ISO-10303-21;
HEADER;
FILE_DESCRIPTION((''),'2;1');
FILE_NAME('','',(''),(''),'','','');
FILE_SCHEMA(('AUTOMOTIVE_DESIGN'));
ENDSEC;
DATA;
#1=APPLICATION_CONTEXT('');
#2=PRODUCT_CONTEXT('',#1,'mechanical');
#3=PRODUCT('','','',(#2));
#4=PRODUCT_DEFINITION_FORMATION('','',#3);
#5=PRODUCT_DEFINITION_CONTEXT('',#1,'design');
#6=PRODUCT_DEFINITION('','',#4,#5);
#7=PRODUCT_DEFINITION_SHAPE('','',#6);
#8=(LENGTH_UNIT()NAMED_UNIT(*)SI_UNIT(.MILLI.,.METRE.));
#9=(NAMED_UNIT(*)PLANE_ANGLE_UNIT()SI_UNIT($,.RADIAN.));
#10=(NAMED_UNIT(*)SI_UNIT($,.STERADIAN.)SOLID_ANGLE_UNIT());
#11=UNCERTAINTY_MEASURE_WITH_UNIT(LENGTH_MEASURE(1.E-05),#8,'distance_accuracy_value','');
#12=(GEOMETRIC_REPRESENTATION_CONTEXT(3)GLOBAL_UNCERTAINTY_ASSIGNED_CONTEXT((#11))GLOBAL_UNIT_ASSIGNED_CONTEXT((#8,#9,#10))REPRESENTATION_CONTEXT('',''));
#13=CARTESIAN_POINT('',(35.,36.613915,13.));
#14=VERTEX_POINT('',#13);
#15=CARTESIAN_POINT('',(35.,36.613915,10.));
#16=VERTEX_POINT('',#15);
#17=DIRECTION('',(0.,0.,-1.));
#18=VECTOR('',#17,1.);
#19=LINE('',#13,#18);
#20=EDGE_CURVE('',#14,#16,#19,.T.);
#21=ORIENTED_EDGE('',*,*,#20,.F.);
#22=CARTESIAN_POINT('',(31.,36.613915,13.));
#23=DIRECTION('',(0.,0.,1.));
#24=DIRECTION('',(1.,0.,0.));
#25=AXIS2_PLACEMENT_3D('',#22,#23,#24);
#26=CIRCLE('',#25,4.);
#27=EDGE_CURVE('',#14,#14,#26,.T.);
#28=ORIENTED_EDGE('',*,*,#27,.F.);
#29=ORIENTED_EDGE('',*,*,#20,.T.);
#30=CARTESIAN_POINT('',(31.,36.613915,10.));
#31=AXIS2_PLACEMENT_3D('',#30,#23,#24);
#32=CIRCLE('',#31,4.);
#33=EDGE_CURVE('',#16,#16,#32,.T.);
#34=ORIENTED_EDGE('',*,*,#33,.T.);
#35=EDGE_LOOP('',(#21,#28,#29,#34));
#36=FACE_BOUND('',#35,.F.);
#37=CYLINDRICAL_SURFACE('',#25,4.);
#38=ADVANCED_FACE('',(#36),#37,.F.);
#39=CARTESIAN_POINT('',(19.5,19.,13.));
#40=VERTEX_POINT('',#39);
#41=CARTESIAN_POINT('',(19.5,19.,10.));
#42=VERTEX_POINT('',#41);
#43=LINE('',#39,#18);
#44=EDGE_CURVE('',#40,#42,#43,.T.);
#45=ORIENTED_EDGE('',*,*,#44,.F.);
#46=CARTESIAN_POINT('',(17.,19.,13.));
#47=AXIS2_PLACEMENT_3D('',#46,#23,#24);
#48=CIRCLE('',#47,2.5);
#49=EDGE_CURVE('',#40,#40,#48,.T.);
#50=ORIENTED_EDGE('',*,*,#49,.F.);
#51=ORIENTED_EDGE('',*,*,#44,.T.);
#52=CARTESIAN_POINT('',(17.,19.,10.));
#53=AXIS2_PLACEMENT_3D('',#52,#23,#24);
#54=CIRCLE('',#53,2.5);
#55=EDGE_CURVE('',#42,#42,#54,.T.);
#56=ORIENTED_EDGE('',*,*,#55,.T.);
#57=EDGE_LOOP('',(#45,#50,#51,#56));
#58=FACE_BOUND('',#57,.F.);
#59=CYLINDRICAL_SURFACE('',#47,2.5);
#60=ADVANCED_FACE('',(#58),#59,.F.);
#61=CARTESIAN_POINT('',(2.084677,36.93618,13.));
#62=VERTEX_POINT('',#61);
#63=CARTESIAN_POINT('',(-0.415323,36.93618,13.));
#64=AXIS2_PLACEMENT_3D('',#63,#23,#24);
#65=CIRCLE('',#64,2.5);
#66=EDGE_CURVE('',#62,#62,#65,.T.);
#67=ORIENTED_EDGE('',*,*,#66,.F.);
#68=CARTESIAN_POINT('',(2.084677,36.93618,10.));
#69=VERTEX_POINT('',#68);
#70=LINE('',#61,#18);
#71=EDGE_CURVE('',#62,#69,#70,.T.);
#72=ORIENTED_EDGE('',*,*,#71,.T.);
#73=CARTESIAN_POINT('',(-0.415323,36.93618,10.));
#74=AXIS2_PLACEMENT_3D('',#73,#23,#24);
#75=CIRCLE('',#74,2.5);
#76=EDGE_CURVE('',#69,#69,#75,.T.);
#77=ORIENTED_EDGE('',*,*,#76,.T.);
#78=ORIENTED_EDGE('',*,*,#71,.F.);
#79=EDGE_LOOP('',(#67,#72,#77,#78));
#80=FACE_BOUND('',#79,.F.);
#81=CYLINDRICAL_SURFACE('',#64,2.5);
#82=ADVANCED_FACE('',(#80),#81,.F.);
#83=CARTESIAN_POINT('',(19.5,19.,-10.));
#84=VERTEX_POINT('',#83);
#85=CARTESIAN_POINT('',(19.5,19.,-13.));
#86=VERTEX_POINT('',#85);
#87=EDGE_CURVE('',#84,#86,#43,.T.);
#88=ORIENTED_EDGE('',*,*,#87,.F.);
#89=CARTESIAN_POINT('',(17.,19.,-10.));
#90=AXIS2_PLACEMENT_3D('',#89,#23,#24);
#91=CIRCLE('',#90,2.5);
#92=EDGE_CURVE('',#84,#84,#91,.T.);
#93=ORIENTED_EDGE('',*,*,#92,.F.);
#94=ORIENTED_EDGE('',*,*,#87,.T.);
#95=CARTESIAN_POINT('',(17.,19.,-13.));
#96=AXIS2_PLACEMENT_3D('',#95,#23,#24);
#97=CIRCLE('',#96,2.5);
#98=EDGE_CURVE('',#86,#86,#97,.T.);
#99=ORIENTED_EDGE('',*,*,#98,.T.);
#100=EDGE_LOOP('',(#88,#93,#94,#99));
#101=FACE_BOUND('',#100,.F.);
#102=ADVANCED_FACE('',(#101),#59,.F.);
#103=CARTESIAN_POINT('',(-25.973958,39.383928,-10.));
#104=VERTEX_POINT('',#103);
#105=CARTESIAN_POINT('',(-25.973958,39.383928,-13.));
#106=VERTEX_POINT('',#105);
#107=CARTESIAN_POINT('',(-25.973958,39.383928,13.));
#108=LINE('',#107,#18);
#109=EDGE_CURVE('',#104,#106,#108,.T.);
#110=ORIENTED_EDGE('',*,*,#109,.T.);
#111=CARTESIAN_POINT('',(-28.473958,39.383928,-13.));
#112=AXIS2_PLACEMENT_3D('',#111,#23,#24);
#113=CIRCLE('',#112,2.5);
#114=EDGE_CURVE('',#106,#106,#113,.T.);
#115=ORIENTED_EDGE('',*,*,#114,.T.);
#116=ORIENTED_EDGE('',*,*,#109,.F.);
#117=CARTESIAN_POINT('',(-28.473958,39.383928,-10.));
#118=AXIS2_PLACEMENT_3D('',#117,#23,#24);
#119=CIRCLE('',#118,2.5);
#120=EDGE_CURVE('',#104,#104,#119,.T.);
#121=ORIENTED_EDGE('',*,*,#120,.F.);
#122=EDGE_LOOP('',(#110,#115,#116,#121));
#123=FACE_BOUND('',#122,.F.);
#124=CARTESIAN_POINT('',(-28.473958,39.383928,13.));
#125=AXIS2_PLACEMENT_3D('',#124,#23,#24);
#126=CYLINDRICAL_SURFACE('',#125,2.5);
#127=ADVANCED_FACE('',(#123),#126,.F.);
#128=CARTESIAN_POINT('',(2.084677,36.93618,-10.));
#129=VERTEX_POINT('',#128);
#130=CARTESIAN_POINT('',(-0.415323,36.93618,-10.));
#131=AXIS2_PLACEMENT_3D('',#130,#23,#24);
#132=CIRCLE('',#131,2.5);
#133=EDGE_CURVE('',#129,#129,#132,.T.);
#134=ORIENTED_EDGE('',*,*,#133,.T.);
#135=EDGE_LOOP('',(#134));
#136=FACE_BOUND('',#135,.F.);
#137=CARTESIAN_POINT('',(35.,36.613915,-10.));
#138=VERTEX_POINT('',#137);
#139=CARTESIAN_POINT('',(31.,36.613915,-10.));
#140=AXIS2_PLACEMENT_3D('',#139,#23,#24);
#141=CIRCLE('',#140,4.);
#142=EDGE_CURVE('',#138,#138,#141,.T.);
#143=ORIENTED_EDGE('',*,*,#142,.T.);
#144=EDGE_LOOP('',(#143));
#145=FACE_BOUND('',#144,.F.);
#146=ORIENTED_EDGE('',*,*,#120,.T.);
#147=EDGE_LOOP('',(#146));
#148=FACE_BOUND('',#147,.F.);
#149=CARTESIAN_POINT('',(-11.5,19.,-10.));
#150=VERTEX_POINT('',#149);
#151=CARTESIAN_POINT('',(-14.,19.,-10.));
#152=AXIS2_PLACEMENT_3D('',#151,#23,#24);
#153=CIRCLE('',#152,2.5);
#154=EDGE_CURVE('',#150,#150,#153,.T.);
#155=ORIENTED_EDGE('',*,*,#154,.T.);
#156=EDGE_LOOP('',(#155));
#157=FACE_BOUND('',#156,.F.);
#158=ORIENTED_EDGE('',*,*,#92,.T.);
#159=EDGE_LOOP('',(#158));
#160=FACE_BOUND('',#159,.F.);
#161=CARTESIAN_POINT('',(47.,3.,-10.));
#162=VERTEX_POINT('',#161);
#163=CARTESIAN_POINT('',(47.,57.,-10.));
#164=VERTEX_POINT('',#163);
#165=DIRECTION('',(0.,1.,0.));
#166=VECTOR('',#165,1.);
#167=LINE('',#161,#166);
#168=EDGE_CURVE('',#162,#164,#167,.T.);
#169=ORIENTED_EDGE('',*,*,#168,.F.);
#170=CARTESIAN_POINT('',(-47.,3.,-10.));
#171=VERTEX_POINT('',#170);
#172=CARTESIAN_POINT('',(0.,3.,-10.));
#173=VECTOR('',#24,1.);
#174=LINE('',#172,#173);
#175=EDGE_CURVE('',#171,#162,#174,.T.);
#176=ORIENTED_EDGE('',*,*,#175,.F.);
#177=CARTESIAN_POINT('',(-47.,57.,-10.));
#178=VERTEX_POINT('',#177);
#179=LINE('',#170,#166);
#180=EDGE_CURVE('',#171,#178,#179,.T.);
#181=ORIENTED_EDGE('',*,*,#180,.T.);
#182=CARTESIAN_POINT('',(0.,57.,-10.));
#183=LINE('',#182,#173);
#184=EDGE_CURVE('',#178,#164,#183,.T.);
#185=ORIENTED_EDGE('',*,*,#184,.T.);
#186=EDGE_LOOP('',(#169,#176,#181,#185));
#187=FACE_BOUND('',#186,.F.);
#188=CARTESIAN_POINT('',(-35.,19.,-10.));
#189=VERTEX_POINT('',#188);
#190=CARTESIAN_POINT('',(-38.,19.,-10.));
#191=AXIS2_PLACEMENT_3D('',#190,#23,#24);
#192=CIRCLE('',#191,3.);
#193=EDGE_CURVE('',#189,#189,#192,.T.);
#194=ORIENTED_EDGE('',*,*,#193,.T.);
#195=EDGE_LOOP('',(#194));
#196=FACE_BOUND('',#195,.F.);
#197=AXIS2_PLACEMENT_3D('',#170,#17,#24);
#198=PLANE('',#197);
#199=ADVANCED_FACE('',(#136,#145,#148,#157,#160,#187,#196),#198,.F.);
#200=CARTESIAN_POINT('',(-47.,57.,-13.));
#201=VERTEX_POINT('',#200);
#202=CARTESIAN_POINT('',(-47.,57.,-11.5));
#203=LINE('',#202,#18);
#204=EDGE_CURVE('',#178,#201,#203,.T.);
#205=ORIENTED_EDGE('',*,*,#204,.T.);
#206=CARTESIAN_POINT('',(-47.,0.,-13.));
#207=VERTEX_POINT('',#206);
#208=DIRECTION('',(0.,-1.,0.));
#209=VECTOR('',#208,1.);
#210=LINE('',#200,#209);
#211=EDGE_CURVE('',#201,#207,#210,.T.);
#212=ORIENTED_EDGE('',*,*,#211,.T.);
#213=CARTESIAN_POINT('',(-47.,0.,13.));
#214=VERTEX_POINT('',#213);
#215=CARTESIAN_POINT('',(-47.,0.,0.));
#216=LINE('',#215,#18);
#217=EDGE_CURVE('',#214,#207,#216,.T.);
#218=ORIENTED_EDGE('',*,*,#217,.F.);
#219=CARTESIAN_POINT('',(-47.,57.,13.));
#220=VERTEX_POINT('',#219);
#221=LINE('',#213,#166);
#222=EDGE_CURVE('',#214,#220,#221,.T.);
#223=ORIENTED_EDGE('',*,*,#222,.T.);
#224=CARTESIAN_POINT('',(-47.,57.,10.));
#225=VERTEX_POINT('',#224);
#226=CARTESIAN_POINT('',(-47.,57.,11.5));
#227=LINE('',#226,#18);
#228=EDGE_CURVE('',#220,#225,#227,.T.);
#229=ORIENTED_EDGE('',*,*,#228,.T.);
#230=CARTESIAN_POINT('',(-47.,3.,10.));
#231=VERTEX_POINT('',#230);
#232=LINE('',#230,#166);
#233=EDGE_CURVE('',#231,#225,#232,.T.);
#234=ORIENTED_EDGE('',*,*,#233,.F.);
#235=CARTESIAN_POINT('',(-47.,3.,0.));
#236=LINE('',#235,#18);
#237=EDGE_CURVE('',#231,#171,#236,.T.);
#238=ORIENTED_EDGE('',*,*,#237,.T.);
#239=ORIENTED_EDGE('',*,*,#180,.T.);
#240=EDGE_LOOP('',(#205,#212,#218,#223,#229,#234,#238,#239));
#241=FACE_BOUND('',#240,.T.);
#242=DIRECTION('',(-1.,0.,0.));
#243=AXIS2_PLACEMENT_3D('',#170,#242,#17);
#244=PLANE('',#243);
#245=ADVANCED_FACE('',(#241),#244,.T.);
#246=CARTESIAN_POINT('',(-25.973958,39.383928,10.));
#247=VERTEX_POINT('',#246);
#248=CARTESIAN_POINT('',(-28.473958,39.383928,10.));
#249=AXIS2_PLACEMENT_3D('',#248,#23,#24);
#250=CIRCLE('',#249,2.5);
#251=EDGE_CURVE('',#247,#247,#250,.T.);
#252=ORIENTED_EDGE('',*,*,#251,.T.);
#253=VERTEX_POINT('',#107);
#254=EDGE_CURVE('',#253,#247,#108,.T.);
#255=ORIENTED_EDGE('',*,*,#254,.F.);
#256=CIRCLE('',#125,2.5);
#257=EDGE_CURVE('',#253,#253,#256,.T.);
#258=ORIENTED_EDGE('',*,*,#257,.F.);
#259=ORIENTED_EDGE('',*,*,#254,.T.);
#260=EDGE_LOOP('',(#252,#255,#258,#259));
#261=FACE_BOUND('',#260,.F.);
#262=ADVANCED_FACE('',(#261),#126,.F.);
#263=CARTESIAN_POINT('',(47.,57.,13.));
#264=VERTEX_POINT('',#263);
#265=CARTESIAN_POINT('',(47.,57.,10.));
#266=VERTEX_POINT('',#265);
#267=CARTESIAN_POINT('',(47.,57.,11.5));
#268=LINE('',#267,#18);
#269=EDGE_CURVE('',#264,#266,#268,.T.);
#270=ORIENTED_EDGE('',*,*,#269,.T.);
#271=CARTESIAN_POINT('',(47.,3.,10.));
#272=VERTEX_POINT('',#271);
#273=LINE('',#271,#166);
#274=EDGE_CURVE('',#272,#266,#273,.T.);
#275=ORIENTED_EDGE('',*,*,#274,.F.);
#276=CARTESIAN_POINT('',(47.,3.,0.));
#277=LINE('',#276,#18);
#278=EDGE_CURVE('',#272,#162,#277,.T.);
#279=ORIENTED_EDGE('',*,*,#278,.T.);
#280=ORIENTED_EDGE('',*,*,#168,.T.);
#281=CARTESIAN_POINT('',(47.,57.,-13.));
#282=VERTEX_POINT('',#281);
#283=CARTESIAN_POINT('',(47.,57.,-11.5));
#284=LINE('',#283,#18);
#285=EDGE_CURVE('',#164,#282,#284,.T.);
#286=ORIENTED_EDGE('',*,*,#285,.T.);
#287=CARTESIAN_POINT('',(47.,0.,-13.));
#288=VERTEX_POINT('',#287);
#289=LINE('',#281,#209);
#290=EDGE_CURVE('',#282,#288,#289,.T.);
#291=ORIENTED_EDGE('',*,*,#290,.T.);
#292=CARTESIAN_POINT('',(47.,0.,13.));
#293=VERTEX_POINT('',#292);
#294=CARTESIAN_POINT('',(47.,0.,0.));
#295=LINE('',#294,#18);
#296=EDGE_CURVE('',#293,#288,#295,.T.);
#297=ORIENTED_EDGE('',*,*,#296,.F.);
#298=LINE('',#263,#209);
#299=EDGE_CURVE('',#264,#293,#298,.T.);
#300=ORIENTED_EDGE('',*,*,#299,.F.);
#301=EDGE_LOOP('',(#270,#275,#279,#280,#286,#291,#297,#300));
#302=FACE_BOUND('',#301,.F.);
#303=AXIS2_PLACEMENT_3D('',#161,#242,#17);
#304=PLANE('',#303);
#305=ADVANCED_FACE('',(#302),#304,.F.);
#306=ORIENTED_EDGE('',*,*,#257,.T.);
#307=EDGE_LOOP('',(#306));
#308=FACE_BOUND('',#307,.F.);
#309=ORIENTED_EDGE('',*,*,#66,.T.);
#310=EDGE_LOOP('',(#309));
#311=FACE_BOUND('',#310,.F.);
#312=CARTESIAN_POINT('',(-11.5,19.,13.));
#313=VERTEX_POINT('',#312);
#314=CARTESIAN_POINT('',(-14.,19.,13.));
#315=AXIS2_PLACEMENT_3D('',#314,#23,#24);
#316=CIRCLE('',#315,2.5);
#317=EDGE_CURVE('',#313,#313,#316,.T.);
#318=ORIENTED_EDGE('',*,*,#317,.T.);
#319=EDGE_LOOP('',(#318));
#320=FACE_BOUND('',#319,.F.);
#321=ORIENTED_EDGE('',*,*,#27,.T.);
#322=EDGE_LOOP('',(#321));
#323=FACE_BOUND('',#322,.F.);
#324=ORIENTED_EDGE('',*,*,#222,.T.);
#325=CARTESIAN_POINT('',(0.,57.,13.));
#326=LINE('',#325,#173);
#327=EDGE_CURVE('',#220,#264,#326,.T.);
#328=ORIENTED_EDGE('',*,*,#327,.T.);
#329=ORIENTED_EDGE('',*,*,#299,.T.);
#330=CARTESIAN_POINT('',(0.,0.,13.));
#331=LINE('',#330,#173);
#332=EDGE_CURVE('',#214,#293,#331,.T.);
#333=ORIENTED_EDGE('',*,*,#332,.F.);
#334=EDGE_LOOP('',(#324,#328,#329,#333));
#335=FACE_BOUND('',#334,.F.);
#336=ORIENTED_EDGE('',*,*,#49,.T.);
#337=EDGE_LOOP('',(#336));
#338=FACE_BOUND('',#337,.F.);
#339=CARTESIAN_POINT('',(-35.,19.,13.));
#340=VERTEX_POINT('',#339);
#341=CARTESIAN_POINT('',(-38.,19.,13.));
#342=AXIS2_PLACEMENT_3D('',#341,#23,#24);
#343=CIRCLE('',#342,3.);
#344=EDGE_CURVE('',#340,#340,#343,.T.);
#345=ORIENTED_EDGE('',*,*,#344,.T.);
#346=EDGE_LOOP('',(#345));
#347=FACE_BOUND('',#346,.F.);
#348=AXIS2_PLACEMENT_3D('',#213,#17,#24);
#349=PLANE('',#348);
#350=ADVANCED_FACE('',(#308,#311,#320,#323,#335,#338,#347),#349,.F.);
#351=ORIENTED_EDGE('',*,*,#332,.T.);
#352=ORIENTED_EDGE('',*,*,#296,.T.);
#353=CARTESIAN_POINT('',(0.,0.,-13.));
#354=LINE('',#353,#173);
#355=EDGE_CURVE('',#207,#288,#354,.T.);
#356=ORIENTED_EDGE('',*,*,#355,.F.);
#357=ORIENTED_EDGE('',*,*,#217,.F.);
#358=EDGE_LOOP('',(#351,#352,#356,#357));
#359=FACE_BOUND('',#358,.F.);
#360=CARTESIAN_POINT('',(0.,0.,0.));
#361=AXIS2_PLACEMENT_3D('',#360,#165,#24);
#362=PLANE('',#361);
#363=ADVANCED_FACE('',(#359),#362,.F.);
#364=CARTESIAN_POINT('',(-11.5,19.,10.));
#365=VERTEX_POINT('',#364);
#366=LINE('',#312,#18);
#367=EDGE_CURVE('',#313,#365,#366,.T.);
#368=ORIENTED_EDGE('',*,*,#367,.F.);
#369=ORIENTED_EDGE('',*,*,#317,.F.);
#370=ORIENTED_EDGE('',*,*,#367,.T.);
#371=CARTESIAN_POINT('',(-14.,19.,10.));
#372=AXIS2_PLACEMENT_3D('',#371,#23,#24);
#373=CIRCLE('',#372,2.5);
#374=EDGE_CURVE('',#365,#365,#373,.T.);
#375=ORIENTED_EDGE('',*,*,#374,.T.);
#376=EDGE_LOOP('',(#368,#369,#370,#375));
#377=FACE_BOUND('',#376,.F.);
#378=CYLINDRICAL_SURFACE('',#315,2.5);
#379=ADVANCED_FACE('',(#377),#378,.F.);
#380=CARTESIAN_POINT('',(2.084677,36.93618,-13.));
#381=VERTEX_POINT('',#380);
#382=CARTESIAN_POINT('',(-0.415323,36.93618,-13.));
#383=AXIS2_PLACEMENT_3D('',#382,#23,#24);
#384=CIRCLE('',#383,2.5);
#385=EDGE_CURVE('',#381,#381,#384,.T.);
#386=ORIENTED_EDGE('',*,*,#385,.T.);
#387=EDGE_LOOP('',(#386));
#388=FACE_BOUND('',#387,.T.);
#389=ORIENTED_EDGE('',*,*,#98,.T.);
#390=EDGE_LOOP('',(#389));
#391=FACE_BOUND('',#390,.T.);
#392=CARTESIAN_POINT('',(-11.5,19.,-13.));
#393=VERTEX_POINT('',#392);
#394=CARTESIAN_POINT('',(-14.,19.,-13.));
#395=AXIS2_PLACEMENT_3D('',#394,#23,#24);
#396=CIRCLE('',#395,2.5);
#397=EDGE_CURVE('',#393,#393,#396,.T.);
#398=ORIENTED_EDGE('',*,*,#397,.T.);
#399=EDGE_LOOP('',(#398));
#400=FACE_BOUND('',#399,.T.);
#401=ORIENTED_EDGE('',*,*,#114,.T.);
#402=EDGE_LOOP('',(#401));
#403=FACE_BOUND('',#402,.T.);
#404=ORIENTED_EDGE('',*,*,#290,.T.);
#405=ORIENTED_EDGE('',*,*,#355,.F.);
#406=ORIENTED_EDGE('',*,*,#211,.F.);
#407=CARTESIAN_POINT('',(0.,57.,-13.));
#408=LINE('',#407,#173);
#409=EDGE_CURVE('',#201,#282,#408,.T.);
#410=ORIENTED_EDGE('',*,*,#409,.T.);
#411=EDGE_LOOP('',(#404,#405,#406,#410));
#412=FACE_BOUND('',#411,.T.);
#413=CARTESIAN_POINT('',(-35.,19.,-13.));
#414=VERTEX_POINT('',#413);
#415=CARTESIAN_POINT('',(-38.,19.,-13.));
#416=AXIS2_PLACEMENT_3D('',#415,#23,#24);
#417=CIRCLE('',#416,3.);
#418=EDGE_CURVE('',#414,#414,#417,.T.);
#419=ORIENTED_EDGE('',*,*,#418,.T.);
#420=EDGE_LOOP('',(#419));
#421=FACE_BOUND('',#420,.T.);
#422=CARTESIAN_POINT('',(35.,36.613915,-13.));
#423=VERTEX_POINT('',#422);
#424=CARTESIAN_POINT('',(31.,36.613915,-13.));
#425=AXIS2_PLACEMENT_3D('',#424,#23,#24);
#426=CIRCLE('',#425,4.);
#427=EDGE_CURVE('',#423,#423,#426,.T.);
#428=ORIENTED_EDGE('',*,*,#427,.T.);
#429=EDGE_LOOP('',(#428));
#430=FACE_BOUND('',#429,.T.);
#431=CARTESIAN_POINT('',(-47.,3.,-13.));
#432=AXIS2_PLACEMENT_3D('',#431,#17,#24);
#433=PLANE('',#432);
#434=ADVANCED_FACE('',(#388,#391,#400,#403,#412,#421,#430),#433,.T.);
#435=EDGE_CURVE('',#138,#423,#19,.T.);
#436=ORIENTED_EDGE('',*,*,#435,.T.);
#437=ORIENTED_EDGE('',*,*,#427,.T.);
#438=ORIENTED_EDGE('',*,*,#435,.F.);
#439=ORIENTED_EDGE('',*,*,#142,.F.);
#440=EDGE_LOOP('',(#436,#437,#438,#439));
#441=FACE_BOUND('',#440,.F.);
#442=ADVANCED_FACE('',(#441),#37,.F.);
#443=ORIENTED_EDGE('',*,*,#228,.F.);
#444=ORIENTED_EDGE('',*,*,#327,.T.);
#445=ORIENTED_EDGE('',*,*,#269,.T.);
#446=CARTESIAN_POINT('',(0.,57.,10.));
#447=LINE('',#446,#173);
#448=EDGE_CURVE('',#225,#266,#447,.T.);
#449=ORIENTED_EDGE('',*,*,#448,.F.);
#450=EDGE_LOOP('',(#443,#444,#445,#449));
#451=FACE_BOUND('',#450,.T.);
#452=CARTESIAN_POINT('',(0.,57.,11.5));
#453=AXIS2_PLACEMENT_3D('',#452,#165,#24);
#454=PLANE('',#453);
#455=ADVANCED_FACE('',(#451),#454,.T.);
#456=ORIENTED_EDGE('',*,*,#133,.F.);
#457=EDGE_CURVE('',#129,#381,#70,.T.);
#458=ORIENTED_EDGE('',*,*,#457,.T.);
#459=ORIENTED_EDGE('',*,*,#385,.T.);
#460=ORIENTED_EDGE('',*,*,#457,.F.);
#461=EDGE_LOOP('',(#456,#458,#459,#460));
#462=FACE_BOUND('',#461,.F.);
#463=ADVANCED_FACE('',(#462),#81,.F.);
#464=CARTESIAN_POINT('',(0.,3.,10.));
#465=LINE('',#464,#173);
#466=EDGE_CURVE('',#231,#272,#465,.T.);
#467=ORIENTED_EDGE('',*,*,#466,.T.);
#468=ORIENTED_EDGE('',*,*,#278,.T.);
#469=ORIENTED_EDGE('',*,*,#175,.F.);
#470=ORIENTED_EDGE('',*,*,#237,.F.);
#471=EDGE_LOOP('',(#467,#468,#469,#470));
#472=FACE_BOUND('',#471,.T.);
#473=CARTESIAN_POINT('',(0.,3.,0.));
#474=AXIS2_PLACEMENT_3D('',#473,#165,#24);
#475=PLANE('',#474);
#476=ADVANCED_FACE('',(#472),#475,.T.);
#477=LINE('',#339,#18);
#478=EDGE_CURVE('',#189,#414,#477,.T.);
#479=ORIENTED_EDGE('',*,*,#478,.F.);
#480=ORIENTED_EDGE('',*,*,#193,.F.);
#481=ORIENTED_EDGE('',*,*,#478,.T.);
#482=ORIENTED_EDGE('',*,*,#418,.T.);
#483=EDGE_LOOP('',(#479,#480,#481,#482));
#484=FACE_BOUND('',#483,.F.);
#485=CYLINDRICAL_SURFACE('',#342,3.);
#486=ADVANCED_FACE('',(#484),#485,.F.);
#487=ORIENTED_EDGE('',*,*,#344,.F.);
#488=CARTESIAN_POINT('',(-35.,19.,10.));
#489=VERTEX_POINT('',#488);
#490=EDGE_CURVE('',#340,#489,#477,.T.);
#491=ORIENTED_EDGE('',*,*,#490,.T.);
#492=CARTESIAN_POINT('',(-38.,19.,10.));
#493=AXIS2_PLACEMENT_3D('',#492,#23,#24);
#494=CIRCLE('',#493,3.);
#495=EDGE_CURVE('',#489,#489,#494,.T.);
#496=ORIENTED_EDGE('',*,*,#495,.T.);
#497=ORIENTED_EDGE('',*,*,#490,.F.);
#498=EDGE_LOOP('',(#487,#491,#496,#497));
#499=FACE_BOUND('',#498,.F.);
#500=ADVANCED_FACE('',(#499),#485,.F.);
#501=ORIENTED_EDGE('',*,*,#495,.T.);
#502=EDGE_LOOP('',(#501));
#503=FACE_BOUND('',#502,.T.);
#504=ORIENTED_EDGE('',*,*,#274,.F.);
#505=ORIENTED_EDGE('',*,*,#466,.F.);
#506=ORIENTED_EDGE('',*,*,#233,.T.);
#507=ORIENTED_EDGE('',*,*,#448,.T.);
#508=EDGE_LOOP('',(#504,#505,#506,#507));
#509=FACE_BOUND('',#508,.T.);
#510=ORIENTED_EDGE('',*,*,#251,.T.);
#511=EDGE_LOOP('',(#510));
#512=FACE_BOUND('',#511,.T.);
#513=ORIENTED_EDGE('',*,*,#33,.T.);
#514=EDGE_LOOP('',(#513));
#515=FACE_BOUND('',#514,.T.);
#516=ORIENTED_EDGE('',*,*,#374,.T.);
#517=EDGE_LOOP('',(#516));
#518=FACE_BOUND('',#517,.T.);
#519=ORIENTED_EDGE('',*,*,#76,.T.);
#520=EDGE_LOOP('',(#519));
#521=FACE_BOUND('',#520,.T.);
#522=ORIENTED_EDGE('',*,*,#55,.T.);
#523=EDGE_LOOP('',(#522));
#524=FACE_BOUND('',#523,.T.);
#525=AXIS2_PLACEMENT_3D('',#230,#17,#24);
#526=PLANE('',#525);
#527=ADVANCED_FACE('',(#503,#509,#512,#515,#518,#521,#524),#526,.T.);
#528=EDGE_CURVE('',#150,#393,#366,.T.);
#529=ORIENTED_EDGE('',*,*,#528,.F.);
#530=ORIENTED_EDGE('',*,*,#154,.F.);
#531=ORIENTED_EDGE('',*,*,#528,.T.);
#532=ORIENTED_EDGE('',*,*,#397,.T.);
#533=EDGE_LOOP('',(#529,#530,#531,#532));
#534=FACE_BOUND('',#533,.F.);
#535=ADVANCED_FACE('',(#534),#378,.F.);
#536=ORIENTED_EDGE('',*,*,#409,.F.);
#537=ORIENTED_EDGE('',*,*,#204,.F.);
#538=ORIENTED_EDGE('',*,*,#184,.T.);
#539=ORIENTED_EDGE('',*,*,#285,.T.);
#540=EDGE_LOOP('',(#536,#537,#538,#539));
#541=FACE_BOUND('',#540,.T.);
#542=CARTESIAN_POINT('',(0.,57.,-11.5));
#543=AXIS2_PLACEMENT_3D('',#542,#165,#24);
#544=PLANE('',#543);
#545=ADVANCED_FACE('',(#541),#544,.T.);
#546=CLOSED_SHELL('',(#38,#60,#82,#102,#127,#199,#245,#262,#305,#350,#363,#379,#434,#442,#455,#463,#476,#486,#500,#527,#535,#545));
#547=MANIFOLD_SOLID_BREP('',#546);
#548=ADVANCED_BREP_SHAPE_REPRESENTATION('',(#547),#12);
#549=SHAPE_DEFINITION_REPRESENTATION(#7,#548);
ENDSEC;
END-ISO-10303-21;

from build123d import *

# Parameters (mm, degrees)
SKETCH_1_W          = 94
SKETCH_1_H          = 26
EXTRUDE_1_DEPTH     = 3
SKETCH_2_W          = 94
SKETCH_2_H          = 3
EXTRUDE_2_DEPTH     = 54
SKETCH_3_R          = 3
SKETCH_3_R_2        = 2.5
SKETCH_3_R_3        = 4
CUT_EXTRUDE_1_DEPTH = 79.319856997


with BuildPart() as part:
    # 스케치1 → 보스-돌출1 (new body)
    with BuildSketch(Plane(origin=(0, 0, 0), x_dir=(1, 0, 0), z_dir=(0, 1, 0))):
        Rectangle(SKETCH_1_W, SKETCH_1_H)
    extrude(amount=EXTRUDE_1_DEPTH)

    # 스케치2 → 보스-돌출2 (add)
    with BuildSketch(Plane(origin=(0, 3, 0), x_dir=(1, 0, 0), z_dir=(0, 1, 0))):
        with Locations((0, 11.5)):
            Rectangle(SKETCH_2_W, SKETCH_2_H)
        with Locations((0, -11.5)):
            Rectangle(SKETCH_2_W, SKETCH_2_H)
    extrude(amount=EXTRUDE_2_DEPTH)

    # 스케치3 → 컷-돌출1 (cut, through all)
    with BuildSketch(Plane.XY.offset(13)):
        with Locations((-38, 19)):
            Circle(SKETCH_3_R)
        with Locations((17, 19)):
            Circle(SKETCH_3_R_2)
        with Locations((-14, 19)):
            Circle(SKETCH_3_R_2)
        with Locations((-28.473958333, 39.383928232)):
            Circle(SKETCH_3_R_2)
        with Locations((-0.415322581, 36.936179621)):
            Circle(SKETCH_3_R_2)
        with Locations((31, 36.613914954)):
            Circle(SKETCH_3_R_3)
    extrude(amount=-CUT_EXTRUDE_1_DEPTH, mode=Mode.SUBTRACT)


solid = part.part
